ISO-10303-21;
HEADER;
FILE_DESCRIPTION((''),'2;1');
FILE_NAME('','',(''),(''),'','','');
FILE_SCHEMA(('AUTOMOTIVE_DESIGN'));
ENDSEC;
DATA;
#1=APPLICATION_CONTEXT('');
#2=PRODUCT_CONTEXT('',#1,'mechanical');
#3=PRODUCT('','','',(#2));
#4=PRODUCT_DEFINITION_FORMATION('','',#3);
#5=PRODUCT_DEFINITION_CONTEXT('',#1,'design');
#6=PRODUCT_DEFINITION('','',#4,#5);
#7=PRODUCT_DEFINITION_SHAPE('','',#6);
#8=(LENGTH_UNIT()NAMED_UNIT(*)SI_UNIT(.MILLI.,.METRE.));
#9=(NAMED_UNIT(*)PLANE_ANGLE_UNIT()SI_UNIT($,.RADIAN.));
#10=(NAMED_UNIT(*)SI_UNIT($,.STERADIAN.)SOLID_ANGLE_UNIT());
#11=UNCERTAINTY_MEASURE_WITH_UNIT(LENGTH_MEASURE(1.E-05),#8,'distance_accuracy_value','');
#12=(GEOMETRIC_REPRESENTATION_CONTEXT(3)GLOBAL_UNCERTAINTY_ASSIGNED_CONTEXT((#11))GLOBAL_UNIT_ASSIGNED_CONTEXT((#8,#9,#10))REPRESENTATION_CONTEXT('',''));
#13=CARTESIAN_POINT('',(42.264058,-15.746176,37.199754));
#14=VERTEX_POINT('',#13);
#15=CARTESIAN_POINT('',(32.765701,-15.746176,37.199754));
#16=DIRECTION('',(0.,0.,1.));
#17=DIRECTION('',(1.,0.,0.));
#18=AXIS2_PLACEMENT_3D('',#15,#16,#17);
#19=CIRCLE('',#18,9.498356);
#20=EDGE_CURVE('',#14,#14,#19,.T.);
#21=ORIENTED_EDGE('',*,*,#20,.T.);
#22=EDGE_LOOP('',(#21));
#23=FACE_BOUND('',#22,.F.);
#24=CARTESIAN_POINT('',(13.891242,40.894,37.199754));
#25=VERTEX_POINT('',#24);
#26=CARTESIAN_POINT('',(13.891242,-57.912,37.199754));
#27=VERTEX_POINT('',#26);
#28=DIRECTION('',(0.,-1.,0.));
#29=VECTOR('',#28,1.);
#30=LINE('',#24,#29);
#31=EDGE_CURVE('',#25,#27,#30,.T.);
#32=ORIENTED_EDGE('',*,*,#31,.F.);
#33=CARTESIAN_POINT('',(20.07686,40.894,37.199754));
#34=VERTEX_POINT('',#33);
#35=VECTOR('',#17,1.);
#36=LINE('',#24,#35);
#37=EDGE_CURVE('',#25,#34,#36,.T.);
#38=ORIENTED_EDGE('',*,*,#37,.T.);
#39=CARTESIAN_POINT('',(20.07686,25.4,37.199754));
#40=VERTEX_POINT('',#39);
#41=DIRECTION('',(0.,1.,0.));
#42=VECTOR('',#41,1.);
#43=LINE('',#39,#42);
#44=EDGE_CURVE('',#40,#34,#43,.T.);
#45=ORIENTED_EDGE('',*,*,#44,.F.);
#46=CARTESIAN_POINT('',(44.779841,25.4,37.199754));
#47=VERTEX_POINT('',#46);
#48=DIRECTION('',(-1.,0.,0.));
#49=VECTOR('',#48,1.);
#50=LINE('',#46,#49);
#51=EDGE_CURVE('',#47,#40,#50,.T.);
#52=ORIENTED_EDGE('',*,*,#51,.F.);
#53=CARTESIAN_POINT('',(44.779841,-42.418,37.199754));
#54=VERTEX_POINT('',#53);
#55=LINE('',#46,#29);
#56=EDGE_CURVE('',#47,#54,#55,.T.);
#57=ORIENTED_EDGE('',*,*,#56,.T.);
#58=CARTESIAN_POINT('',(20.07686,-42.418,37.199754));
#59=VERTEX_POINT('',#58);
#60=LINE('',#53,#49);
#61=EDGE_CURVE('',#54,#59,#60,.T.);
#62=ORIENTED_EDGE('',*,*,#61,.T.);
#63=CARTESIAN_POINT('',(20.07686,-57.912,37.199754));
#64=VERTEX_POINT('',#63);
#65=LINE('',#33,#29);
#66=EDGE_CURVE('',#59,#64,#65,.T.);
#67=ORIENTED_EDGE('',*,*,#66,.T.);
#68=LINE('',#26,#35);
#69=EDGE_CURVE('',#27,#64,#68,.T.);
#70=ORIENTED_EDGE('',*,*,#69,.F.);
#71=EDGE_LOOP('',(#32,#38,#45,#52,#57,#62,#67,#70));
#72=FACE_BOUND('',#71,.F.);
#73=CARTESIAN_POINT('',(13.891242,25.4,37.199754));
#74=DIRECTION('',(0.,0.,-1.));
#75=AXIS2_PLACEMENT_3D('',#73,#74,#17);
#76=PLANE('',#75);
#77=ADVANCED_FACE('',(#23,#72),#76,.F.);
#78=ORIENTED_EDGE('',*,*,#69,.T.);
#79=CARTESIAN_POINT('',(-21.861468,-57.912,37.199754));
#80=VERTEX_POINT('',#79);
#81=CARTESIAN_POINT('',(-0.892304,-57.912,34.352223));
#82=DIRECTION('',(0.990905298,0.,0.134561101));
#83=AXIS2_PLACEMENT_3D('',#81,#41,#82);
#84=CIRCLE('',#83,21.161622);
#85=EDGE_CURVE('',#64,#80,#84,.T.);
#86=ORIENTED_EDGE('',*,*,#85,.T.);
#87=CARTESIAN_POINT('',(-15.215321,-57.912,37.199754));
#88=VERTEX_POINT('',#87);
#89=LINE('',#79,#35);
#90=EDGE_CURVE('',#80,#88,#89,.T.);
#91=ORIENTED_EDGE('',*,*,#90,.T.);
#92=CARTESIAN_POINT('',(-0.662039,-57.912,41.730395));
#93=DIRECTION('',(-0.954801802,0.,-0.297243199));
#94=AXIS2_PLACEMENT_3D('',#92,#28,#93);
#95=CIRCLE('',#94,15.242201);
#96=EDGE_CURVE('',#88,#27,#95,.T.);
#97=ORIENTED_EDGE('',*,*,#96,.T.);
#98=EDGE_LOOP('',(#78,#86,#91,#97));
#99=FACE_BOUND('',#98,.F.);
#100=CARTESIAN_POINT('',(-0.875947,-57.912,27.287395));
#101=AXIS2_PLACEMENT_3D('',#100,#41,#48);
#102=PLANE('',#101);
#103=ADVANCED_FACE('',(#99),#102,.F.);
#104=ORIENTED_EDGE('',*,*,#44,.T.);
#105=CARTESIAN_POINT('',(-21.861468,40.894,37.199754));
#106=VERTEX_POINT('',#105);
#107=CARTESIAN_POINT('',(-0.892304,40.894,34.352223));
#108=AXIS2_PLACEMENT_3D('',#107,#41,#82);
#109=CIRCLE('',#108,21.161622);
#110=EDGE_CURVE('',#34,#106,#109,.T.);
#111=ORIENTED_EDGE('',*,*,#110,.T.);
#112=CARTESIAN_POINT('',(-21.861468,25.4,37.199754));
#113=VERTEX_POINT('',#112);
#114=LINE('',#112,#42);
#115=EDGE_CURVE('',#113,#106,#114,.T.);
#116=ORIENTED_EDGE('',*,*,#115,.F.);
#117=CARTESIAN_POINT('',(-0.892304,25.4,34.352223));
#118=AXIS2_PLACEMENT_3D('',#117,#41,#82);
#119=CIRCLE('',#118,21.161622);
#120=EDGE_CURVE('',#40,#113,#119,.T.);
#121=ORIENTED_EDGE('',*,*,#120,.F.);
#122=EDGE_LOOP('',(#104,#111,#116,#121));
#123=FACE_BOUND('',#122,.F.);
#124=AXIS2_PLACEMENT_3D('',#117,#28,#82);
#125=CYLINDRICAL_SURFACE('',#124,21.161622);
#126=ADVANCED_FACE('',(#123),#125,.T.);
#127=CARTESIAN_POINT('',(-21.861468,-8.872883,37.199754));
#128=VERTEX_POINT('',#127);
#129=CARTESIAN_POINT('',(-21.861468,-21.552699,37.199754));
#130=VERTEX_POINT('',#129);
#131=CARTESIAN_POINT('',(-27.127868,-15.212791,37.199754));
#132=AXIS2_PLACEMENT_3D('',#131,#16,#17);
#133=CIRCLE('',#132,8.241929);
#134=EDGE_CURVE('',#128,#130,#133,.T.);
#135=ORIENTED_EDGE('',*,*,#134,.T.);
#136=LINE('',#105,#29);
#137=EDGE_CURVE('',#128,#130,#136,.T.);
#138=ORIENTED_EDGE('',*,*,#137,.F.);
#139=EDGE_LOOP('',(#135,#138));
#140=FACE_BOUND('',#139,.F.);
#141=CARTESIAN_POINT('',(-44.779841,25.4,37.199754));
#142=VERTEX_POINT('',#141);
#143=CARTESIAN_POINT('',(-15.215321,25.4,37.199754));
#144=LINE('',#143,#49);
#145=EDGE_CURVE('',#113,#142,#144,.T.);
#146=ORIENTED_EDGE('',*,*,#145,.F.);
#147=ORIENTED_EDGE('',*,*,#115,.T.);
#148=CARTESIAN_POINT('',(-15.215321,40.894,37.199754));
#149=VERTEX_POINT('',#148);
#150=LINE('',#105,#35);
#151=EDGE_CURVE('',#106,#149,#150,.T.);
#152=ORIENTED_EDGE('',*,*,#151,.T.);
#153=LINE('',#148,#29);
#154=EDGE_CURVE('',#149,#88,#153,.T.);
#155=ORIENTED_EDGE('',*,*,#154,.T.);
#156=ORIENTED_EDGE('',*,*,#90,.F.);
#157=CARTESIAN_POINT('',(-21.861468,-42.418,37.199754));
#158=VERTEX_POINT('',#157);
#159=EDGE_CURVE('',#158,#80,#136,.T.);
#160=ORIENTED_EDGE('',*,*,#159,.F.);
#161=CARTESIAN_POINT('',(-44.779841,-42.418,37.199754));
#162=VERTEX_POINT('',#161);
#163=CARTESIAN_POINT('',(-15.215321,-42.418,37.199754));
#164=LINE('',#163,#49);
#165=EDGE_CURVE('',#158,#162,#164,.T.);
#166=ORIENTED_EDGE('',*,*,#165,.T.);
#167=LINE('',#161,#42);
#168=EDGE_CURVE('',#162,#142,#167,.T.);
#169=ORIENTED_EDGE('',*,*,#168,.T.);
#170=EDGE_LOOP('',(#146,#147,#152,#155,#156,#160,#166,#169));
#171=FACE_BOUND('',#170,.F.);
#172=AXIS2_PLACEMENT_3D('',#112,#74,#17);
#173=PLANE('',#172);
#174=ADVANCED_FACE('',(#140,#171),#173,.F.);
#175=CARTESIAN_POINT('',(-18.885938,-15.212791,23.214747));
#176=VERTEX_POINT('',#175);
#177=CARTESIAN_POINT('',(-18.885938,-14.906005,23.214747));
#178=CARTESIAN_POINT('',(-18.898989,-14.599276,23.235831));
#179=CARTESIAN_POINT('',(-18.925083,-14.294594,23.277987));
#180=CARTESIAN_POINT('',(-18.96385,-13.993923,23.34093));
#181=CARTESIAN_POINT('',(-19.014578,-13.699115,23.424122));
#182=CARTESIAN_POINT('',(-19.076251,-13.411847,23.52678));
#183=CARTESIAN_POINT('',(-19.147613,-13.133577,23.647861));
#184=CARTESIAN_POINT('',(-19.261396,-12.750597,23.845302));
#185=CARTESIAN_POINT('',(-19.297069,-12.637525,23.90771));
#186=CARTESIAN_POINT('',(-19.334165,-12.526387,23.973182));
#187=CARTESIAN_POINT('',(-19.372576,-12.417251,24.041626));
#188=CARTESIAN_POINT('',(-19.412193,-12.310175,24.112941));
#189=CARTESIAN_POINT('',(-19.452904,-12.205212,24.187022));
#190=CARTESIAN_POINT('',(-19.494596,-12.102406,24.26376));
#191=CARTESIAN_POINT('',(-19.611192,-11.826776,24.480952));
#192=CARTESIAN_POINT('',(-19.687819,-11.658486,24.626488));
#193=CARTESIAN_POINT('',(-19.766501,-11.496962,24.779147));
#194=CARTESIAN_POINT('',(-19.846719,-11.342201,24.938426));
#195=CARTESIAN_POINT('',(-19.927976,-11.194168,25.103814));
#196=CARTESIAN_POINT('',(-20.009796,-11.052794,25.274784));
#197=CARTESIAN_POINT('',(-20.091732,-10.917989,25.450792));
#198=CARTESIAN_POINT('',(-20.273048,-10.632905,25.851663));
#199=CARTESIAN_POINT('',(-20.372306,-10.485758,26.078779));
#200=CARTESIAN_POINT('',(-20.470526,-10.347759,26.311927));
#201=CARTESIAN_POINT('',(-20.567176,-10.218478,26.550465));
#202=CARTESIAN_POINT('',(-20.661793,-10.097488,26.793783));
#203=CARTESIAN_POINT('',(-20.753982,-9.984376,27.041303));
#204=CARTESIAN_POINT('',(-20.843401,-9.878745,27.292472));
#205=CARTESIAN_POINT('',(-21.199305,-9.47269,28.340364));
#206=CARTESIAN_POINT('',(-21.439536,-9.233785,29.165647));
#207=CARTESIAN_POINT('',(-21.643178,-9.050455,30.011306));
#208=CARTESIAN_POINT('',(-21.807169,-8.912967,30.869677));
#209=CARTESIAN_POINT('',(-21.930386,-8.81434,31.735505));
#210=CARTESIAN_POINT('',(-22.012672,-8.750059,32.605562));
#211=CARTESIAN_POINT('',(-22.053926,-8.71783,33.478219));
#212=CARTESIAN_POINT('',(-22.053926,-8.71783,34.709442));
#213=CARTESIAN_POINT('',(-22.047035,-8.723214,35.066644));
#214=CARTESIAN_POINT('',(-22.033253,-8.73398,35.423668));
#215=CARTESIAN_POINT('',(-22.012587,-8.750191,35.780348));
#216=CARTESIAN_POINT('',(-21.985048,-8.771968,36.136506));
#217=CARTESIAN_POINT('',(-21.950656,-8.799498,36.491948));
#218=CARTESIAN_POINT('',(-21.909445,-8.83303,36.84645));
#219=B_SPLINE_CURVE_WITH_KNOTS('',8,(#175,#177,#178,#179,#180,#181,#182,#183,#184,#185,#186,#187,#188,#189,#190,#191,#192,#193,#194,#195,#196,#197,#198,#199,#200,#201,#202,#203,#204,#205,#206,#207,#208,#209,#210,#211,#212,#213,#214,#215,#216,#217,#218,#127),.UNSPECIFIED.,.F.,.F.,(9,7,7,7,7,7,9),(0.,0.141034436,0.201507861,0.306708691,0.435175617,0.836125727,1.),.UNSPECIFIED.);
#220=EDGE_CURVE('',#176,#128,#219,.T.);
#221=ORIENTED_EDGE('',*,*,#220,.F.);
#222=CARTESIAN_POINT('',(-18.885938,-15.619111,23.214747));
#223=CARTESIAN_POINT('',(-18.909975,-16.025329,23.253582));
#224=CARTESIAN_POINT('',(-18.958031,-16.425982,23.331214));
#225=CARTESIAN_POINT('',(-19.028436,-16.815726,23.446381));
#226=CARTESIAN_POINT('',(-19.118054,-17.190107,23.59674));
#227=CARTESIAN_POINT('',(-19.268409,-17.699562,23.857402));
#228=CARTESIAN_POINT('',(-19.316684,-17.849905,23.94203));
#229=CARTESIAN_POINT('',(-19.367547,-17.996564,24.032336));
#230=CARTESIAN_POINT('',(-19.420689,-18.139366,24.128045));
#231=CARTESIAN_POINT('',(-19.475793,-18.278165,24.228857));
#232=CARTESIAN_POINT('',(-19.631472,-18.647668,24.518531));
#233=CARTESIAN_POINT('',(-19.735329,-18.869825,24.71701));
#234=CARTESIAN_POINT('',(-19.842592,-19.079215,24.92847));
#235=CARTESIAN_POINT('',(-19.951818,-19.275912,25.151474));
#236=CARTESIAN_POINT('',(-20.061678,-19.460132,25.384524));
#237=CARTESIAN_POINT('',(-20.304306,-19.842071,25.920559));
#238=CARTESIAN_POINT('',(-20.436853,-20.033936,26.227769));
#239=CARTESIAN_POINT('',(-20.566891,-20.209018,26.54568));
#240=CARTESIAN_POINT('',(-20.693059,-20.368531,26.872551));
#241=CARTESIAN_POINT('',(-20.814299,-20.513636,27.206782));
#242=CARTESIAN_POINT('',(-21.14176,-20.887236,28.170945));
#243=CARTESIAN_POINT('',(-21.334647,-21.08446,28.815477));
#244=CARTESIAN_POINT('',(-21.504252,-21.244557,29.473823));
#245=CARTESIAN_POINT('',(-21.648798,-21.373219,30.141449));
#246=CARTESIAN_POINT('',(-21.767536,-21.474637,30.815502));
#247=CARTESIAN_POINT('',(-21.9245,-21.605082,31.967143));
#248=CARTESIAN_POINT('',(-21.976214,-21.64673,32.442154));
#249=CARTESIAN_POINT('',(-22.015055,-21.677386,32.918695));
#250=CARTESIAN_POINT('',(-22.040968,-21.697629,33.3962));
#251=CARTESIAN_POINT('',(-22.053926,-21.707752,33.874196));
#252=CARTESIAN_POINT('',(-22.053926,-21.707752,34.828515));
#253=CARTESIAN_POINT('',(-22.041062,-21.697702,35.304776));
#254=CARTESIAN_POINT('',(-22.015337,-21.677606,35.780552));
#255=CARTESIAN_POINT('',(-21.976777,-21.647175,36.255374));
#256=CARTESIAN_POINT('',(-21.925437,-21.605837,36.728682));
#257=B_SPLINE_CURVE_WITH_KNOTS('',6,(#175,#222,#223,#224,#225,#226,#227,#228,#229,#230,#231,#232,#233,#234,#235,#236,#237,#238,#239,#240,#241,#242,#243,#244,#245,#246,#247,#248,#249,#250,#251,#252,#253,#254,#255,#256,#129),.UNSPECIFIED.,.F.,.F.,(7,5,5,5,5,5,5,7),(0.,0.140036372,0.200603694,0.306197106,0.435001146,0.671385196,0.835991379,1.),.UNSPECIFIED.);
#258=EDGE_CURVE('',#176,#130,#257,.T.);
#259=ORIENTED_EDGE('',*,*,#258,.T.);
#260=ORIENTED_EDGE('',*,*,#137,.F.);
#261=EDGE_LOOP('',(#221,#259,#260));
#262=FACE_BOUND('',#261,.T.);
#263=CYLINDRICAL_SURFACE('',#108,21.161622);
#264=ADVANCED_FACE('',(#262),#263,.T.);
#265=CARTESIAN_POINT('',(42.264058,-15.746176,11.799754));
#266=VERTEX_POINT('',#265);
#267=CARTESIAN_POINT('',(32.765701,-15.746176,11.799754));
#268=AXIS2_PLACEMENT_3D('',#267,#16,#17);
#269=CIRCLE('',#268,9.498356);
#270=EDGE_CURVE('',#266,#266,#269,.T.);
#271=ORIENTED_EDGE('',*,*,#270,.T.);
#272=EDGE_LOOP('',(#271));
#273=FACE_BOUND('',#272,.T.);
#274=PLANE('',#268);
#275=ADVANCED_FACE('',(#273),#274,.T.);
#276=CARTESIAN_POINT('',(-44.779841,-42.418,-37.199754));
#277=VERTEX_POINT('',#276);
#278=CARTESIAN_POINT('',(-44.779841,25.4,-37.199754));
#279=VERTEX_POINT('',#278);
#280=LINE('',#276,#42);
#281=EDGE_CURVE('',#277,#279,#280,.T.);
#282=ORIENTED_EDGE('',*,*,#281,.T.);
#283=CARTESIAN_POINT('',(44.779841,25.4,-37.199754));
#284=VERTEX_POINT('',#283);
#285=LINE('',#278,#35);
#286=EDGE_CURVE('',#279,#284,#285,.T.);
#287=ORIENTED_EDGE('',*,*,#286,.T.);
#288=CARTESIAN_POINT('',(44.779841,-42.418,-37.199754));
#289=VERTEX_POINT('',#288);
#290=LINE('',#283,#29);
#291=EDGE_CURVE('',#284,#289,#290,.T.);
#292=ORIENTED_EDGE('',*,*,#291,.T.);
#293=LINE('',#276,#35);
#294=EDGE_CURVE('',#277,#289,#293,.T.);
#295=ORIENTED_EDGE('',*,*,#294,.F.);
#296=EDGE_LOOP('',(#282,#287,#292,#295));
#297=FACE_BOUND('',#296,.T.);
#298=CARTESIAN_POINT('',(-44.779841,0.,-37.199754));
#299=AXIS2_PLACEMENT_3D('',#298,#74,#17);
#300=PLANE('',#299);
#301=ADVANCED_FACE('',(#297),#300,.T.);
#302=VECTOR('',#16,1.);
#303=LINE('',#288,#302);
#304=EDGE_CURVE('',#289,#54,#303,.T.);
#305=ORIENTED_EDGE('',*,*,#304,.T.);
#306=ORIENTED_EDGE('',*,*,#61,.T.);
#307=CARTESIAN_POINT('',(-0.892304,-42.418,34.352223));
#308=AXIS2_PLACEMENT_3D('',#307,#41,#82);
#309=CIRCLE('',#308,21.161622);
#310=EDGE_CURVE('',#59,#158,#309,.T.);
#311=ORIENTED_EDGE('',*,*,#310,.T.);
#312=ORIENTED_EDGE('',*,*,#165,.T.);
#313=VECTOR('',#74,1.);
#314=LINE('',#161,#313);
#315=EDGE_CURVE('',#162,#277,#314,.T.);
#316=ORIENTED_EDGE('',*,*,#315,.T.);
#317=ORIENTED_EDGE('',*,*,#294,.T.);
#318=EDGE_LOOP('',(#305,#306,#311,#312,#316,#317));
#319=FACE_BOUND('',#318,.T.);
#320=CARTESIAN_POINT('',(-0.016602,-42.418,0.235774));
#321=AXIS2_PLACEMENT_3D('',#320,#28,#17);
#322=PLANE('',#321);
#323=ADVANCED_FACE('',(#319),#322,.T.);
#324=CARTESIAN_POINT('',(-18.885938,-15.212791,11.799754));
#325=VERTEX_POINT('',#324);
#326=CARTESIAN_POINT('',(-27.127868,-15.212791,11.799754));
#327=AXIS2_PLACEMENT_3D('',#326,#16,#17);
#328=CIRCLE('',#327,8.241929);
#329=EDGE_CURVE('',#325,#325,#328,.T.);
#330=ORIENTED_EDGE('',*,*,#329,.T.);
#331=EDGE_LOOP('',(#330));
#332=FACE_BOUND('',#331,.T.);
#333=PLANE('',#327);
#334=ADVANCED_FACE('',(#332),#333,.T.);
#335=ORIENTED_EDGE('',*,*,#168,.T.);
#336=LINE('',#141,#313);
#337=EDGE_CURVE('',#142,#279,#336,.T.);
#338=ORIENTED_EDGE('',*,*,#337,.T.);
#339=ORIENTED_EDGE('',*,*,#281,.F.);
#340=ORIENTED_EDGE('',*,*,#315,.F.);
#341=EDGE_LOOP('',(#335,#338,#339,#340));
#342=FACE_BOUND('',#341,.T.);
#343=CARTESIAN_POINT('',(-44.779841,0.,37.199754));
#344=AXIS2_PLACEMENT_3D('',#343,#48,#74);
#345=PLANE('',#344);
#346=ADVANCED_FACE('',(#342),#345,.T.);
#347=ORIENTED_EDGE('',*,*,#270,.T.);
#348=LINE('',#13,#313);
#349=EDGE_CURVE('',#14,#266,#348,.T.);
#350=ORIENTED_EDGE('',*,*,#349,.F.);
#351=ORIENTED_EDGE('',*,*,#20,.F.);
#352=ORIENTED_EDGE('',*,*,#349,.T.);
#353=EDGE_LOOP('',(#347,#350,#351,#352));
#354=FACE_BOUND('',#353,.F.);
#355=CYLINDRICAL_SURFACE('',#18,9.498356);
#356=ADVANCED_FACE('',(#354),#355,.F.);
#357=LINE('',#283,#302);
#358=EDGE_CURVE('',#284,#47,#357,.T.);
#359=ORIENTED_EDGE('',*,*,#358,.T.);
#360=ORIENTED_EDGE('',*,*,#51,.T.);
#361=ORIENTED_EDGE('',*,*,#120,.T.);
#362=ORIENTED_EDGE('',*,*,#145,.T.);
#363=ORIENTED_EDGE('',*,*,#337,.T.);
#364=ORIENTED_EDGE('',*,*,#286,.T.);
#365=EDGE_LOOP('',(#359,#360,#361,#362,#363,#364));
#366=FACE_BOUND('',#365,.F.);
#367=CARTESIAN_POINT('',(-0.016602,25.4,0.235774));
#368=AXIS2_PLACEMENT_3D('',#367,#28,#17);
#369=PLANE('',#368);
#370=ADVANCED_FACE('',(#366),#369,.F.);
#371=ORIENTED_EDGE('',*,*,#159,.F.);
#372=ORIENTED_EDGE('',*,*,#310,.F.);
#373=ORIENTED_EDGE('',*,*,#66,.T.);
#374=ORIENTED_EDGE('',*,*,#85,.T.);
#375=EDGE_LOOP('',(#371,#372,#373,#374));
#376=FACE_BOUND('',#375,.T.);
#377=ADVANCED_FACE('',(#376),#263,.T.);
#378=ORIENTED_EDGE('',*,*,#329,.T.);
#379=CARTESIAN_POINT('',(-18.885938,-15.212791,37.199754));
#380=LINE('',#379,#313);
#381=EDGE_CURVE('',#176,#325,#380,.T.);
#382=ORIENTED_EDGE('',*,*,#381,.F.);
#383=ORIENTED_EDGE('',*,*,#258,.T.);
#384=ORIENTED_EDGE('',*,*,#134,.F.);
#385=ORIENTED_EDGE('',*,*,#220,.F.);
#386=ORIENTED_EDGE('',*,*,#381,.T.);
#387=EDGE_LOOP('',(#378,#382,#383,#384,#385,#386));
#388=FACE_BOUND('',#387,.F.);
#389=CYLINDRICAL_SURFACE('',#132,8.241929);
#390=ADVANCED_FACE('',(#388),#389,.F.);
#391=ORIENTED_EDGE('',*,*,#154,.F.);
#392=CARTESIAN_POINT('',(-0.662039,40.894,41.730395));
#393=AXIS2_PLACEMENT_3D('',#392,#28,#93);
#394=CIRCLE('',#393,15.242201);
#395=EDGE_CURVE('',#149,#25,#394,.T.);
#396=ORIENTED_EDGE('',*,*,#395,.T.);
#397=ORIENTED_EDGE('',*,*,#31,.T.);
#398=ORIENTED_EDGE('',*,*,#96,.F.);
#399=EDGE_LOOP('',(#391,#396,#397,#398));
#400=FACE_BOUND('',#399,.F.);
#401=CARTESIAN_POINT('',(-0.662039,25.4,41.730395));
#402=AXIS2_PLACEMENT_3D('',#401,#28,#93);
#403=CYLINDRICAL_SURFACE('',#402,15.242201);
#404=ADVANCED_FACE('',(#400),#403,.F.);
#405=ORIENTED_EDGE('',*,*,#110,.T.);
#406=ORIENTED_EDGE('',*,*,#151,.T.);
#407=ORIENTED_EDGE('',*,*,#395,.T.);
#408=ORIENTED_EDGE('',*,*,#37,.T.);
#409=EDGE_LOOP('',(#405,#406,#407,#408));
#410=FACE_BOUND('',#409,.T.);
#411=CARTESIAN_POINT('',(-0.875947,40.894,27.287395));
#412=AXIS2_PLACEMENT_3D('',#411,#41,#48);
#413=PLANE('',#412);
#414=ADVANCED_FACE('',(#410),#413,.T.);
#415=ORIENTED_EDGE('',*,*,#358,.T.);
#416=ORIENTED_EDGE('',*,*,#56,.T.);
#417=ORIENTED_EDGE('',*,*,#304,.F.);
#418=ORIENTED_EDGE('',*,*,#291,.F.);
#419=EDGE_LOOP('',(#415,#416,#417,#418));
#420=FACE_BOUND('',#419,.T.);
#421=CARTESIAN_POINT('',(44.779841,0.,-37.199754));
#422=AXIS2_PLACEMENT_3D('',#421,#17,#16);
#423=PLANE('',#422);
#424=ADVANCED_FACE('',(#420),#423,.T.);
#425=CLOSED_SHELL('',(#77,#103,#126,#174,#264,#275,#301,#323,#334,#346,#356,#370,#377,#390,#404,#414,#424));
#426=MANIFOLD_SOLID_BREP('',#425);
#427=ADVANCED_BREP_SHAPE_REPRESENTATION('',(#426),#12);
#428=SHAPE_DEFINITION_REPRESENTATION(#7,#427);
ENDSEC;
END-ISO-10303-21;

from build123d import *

# Parameters (mm, degrees)
F1_DEPTH = 42.418
F2_DEPTH = 25.4
F3_R     = 8.2419293277
F3_R_2   = 9.4983562565
F4_DEPTH = 25.4
F6_DEPTH = 15.494
F7_DEPTH = 98.806


with BuildPart() as f1:
    # F0 (on Front) → F1 (new body)
    with BuildSketch(Plane.XZ):
        with BuildLine():
            Line((-44.7798408568, -37.1997542679), (44.7798408568, -37.1997542679))
            Line((44.7798408568, -37.1997542679), (44.7798408568, 37.1997542679))
            Line((44.7798408568, 37.1997542679), (13.8912415132, 37.1997542679))
            ThreePointArc((13.8912415132, 37.1997542679), (-0.6620394997, 26.4881938236), (-15.2153205127, 37.1997542679))
            Line((-15.2153205127, 37.1997542679), (-44.7798408568, 37.1997542679))
            Line((-44.7798408568, 37.1997542679), (-44.7798408568, -37.1997542679))
        make_face()
    extrude(amount=F1_DEPTH)

    # F2 (add): a face of the model
    f2_faces = [f1.faces().sort_by_distance(p)[0] for p in [
        (0.023550187, 0, -1.1650746178),
    ]]
    extrude(f2_faces, amount=F2_DEPTH)

    # F3 (on face) → F4 (cut)
    with BuildSketch(Plane.XY.offset(37.1997542679)):
        with Locations((-27.1278675646, -15.2127910405)):
            Circle(F3_R)
        with Locations((32.7657014132, -15.7461762428)):
            Circle(F3_R_2)
    extrude(amount=-F4_DEPTH, mode=Mode.SUBTRACT)

    # F5 (on face) → F6 (join)
    with BuildSketch(Plane(origin=(0, 25.4, 0), x_dir=(-1, 0, 0), z_dir=(0, 1, 0))):
        with BuildLine():
            Line((-13.8912415132, 37.1997542679), (-20.0768597424, 37.1997542679))
            ThreePointArc((-20.0768597424, 37.1997542679), (0.892303884, 13.1906008043), (21.8614675105, 37.1997542679))
            Line((21.8614675105, 37.1997542679), (15.2153205127, 37.1997542679))
            ThreePointArc((15.2153205127, 37.1997542679), (0.6620394997, 26.4881938236), (-13.8912415132, 37.1997542679))
        make_face()
    extrude(amount=F6_DEPTH)

    # F7 (add): a face of the model
    f7_faces = [f1.faces().sort_by_distance(p)[0] for p in [
        (-0.9809266979, 40.894, 24.6318150019),
    ]]
    extrude(f7_faces, amount=-F7_DEPTH)


solid = f1.part
